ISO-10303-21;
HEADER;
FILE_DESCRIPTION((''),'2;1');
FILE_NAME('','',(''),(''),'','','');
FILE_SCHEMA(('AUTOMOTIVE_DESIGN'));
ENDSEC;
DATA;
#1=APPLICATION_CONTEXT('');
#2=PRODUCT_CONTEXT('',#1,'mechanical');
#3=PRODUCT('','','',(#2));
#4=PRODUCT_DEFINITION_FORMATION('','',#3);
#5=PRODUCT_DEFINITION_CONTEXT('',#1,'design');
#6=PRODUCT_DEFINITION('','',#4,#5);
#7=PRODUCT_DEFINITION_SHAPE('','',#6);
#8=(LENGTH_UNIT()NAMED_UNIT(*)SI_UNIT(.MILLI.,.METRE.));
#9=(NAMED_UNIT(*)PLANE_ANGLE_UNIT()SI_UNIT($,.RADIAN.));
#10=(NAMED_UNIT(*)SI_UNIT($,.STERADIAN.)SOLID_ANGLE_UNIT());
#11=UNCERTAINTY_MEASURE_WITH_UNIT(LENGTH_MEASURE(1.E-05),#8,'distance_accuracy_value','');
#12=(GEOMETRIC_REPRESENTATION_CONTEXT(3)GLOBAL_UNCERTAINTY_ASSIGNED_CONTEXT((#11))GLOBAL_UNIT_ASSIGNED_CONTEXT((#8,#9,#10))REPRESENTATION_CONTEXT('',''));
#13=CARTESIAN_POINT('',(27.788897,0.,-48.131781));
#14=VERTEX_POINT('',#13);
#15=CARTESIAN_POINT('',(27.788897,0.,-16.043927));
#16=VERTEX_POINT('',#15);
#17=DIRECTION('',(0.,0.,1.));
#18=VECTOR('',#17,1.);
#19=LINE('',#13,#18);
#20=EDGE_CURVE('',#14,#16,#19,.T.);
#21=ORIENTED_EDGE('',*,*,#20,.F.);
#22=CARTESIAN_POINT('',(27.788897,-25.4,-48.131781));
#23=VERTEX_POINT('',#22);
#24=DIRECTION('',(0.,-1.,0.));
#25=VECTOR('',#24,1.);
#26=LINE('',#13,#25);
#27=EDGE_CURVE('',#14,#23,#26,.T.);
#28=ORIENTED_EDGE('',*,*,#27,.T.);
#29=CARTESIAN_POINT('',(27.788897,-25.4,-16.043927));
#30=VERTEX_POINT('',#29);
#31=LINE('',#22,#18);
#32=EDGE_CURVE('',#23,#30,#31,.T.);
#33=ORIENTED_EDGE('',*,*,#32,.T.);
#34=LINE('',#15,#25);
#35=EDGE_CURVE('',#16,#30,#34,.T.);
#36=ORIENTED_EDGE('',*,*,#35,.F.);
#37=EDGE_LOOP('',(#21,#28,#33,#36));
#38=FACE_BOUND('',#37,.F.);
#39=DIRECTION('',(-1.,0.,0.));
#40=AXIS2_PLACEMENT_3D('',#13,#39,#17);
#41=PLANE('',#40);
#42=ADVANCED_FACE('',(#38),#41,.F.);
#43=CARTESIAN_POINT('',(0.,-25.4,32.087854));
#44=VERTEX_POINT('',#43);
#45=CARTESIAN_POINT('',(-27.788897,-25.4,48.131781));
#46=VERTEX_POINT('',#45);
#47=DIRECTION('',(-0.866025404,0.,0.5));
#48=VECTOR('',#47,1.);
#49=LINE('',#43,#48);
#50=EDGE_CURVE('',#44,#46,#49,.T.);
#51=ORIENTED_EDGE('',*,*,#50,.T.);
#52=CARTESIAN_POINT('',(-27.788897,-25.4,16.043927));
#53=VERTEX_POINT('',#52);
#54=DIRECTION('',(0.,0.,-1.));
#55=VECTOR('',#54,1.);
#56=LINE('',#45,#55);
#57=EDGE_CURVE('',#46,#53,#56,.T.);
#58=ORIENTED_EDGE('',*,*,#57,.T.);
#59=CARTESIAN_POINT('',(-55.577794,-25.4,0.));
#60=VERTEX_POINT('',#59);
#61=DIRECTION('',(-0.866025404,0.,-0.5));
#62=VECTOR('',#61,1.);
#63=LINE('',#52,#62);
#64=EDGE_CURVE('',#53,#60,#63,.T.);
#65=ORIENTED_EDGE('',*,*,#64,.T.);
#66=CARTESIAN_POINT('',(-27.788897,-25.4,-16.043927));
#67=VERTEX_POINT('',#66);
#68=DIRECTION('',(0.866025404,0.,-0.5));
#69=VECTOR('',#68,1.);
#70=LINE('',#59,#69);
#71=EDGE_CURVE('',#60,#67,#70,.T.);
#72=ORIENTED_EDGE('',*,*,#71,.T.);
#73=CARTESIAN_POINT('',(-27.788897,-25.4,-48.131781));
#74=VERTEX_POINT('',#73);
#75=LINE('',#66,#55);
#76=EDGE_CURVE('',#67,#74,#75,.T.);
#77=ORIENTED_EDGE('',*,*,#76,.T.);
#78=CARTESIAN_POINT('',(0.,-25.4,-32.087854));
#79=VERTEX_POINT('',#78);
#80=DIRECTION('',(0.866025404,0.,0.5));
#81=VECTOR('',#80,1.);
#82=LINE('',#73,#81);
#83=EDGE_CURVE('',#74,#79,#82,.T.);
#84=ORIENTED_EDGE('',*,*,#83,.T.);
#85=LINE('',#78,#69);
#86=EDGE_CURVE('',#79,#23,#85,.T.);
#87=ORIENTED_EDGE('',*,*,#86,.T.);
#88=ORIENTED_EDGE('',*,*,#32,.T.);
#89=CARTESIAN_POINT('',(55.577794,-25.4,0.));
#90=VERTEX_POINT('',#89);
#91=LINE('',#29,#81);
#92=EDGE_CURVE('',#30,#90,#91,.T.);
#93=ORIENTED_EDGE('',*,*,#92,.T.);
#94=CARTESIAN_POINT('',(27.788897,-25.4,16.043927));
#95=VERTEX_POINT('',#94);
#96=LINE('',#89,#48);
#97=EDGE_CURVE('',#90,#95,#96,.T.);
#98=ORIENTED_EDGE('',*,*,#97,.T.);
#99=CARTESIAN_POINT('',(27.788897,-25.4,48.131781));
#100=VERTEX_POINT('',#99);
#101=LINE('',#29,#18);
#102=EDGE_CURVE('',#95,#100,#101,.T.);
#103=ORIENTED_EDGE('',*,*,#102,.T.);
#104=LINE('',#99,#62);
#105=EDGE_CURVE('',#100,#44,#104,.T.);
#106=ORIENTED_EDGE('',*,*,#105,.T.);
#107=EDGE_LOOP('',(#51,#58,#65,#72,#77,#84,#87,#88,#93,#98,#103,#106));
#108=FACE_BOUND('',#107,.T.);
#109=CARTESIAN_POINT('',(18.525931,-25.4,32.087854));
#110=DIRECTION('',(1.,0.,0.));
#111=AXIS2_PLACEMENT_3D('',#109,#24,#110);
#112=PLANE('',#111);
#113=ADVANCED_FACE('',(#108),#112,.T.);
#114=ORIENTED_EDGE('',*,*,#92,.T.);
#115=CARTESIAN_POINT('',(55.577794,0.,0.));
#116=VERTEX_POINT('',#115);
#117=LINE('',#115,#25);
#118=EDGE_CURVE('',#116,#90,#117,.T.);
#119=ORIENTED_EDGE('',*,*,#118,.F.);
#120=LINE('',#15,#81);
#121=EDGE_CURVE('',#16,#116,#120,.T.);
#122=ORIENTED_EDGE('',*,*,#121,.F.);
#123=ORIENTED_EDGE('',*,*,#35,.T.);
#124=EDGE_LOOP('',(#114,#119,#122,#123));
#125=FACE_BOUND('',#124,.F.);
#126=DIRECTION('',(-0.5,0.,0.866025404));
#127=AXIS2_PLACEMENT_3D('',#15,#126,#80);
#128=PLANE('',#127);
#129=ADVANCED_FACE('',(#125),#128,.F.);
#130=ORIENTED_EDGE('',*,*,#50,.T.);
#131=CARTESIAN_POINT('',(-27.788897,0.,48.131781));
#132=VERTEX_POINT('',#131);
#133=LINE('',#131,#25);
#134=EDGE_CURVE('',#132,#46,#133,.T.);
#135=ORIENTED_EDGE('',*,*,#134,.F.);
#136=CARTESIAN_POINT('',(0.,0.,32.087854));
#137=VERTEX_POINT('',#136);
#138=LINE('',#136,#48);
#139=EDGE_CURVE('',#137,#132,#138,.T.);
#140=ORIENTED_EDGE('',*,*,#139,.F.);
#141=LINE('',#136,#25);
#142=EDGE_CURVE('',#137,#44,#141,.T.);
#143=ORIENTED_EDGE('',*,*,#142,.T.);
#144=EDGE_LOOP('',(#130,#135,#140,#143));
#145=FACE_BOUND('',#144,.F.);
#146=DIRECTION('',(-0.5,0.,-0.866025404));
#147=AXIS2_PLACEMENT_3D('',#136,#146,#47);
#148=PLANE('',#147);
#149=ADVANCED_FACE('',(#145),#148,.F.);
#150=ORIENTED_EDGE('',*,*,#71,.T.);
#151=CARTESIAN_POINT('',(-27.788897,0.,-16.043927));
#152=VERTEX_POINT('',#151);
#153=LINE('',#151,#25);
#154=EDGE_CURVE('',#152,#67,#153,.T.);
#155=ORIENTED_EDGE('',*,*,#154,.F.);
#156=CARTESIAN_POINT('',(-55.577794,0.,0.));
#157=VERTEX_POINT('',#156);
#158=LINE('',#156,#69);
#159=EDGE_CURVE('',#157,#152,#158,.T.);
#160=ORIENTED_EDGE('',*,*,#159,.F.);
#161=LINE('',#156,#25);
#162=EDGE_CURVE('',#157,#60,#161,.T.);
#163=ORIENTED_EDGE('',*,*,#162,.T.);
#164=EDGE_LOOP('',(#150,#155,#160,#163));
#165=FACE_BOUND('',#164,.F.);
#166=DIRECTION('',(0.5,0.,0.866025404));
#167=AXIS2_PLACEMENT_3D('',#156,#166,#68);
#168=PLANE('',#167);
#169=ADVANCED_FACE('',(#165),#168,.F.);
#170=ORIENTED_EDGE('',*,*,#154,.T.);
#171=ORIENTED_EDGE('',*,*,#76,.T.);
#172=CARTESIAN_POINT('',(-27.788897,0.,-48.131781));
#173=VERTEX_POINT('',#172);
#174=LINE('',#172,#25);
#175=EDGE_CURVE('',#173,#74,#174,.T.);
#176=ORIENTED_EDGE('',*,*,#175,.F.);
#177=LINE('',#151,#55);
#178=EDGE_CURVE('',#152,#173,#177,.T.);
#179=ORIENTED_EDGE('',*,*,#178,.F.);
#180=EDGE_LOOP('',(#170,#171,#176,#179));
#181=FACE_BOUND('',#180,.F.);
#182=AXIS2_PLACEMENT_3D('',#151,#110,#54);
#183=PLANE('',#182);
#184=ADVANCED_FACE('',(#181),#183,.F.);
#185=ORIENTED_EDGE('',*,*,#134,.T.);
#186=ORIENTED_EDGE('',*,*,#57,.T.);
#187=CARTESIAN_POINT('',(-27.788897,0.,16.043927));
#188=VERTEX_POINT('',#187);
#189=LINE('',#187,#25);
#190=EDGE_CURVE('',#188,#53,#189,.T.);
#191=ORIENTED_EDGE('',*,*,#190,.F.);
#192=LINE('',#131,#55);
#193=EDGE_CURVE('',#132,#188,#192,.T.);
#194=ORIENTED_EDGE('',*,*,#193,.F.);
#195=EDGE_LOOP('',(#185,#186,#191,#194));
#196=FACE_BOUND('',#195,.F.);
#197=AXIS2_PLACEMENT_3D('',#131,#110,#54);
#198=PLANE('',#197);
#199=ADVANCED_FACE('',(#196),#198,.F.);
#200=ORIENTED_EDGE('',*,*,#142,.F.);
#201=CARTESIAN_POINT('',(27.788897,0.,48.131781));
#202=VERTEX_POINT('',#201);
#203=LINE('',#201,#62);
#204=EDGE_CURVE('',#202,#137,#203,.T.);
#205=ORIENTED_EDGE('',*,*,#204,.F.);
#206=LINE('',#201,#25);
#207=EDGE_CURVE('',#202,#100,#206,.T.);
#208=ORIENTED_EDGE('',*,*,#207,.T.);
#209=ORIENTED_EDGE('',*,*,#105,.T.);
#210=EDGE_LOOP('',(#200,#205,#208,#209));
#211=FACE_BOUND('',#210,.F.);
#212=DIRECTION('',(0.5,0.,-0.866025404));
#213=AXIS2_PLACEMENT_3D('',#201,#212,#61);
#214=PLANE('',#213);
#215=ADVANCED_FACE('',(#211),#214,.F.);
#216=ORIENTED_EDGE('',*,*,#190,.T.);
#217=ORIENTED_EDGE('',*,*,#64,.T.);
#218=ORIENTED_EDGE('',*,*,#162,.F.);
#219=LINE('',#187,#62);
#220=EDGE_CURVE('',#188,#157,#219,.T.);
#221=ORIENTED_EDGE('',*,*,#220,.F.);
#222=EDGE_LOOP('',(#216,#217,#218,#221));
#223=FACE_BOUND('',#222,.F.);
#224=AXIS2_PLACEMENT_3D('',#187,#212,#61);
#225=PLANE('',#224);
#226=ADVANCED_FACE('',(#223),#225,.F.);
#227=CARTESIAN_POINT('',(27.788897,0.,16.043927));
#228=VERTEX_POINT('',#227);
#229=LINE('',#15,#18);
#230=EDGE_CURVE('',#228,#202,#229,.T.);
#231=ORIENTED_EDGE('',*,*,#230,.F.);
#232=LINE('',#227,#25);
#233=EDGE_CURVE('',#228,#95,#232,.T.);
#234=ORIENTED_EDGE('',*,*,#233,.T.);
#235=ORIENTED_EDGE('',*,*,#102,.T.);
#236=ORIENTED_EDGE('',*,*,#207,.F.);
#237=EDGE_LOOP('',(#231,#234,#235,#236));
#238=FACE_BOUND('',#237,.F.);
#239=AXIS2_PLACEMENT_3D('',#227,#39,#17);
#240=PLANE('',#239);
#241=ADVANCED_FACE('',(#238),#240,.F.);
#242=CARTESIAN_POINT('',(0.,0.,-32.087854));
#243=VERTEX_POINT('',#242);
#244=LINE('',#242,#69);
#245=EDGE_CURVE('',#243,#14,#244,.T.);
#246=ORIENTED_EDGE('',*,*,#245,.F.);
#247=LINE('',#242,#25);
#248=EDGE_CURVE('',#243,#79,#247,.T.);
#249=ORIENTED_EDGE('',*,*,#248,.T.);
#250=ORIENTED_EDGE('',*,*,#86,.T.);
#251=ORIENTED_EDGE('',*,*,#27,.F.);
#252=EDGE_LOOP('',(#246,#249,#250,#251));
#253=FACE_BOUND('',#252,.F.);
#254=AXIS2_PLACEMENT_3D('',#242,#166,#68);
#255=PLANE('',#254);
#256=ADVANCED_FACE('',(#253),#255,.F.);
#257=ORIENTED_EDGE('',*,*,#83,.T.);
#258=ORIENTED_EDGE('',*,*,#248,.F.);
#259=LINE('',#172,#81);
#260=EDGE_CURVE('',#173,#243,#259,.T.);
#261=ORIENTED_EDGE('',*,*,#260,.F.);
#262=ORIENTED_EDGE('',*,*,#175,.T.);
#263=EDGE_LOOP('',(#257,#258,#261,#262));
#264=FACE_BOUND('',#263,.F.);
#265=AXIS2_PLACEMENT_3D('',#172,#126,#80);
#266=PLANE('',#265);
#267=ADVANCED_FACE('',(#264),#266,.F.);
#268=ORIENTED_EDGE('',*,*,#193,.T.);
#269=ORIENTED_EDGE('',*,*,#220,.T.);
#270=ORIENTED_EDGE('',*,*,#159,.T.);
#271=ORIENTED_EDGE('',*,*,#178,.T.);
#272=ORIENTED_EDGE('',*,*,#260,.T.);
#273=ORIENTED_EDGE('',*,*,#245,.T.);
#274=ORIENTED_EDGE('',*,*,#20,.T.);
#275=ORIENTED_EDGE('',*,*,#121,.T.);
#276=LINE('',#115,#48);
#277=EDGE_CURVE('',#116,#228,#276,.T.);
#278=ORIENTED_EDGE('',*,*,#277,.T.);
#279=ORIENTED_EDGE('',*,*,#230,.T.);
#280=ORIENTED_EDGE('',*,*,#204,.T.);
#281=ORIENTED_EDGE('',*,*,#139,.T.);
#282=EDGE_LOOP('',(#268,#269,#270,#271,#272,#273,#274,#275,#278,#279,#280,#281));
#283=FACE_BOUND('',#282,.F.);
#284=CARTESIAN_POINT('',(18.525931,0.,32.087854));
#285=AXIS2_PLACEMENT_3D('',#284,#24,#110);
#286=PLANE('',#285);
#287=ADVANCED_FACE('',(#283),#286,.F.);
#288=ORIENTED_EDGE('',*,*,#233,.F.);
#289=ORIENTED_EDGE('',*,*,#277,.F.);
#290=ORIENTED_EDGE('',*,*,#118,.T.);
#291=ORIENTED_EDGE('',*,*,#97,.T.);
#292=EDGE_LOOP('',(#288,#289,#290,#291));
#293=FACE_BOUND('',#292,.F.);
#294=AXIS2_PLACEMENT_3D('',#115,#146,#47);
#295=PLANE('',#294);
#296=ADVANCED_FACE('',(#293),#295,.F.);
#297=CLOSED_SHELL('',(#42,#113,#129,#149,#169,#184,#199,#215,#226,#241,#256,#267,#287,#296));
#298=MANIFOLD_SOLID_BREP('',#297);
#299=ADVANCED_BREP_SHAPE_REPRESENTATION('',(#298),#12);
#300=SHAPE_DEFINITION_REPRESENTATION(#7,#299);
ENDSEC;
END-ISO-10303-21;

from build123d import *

# Parameters (mm, degrees)
F1_DEPTH = 25.4


with BuildPart() as f1:
    # F0 (on Front) → F1 (new body)
    with BuildSketch(Plane.XZ):
        Polygon((27.7888969147, 48.1317813425), (0, 32.0878542283), (27.7888969147, 16.0439271142), align=None)
        Polygon((27.7888969147, 16.0439271142), (0, 32.0878542283), (-27.7888969147, 16.0439271142), (-27.7888969147, -16.0439271142), (0, -32.0878542283), (27.7888969147, -16.0439271142), align=None)
        Polygon((-27.7888969147, 16.0439271142), (0, 32.0878542283), (-27.7888969147, 48.1317813425), align=None)
        Polygon((55.5777938294, 0), (27.7888969147, 16.0439271142), (27.7888969147, -16.0439271142), align=None)
        Polygon((-27.7888969147, -16.0439271142), (-27.7888969147, 16.0439271142), (-55.5777938294, 0), align=None)
        Polygon((27.7888969147, -48.1317813425), (27.7888969147, -16.0439271142), (0, -32.0878542283), align=None)
        Polygon((0, -32.0878542283), (-27.7888969147, -16.0439271142), (-27.7888969147, -48.1317813425), align=None)
    extrude(amount=F1_DEPTH)


solid = f1.part
